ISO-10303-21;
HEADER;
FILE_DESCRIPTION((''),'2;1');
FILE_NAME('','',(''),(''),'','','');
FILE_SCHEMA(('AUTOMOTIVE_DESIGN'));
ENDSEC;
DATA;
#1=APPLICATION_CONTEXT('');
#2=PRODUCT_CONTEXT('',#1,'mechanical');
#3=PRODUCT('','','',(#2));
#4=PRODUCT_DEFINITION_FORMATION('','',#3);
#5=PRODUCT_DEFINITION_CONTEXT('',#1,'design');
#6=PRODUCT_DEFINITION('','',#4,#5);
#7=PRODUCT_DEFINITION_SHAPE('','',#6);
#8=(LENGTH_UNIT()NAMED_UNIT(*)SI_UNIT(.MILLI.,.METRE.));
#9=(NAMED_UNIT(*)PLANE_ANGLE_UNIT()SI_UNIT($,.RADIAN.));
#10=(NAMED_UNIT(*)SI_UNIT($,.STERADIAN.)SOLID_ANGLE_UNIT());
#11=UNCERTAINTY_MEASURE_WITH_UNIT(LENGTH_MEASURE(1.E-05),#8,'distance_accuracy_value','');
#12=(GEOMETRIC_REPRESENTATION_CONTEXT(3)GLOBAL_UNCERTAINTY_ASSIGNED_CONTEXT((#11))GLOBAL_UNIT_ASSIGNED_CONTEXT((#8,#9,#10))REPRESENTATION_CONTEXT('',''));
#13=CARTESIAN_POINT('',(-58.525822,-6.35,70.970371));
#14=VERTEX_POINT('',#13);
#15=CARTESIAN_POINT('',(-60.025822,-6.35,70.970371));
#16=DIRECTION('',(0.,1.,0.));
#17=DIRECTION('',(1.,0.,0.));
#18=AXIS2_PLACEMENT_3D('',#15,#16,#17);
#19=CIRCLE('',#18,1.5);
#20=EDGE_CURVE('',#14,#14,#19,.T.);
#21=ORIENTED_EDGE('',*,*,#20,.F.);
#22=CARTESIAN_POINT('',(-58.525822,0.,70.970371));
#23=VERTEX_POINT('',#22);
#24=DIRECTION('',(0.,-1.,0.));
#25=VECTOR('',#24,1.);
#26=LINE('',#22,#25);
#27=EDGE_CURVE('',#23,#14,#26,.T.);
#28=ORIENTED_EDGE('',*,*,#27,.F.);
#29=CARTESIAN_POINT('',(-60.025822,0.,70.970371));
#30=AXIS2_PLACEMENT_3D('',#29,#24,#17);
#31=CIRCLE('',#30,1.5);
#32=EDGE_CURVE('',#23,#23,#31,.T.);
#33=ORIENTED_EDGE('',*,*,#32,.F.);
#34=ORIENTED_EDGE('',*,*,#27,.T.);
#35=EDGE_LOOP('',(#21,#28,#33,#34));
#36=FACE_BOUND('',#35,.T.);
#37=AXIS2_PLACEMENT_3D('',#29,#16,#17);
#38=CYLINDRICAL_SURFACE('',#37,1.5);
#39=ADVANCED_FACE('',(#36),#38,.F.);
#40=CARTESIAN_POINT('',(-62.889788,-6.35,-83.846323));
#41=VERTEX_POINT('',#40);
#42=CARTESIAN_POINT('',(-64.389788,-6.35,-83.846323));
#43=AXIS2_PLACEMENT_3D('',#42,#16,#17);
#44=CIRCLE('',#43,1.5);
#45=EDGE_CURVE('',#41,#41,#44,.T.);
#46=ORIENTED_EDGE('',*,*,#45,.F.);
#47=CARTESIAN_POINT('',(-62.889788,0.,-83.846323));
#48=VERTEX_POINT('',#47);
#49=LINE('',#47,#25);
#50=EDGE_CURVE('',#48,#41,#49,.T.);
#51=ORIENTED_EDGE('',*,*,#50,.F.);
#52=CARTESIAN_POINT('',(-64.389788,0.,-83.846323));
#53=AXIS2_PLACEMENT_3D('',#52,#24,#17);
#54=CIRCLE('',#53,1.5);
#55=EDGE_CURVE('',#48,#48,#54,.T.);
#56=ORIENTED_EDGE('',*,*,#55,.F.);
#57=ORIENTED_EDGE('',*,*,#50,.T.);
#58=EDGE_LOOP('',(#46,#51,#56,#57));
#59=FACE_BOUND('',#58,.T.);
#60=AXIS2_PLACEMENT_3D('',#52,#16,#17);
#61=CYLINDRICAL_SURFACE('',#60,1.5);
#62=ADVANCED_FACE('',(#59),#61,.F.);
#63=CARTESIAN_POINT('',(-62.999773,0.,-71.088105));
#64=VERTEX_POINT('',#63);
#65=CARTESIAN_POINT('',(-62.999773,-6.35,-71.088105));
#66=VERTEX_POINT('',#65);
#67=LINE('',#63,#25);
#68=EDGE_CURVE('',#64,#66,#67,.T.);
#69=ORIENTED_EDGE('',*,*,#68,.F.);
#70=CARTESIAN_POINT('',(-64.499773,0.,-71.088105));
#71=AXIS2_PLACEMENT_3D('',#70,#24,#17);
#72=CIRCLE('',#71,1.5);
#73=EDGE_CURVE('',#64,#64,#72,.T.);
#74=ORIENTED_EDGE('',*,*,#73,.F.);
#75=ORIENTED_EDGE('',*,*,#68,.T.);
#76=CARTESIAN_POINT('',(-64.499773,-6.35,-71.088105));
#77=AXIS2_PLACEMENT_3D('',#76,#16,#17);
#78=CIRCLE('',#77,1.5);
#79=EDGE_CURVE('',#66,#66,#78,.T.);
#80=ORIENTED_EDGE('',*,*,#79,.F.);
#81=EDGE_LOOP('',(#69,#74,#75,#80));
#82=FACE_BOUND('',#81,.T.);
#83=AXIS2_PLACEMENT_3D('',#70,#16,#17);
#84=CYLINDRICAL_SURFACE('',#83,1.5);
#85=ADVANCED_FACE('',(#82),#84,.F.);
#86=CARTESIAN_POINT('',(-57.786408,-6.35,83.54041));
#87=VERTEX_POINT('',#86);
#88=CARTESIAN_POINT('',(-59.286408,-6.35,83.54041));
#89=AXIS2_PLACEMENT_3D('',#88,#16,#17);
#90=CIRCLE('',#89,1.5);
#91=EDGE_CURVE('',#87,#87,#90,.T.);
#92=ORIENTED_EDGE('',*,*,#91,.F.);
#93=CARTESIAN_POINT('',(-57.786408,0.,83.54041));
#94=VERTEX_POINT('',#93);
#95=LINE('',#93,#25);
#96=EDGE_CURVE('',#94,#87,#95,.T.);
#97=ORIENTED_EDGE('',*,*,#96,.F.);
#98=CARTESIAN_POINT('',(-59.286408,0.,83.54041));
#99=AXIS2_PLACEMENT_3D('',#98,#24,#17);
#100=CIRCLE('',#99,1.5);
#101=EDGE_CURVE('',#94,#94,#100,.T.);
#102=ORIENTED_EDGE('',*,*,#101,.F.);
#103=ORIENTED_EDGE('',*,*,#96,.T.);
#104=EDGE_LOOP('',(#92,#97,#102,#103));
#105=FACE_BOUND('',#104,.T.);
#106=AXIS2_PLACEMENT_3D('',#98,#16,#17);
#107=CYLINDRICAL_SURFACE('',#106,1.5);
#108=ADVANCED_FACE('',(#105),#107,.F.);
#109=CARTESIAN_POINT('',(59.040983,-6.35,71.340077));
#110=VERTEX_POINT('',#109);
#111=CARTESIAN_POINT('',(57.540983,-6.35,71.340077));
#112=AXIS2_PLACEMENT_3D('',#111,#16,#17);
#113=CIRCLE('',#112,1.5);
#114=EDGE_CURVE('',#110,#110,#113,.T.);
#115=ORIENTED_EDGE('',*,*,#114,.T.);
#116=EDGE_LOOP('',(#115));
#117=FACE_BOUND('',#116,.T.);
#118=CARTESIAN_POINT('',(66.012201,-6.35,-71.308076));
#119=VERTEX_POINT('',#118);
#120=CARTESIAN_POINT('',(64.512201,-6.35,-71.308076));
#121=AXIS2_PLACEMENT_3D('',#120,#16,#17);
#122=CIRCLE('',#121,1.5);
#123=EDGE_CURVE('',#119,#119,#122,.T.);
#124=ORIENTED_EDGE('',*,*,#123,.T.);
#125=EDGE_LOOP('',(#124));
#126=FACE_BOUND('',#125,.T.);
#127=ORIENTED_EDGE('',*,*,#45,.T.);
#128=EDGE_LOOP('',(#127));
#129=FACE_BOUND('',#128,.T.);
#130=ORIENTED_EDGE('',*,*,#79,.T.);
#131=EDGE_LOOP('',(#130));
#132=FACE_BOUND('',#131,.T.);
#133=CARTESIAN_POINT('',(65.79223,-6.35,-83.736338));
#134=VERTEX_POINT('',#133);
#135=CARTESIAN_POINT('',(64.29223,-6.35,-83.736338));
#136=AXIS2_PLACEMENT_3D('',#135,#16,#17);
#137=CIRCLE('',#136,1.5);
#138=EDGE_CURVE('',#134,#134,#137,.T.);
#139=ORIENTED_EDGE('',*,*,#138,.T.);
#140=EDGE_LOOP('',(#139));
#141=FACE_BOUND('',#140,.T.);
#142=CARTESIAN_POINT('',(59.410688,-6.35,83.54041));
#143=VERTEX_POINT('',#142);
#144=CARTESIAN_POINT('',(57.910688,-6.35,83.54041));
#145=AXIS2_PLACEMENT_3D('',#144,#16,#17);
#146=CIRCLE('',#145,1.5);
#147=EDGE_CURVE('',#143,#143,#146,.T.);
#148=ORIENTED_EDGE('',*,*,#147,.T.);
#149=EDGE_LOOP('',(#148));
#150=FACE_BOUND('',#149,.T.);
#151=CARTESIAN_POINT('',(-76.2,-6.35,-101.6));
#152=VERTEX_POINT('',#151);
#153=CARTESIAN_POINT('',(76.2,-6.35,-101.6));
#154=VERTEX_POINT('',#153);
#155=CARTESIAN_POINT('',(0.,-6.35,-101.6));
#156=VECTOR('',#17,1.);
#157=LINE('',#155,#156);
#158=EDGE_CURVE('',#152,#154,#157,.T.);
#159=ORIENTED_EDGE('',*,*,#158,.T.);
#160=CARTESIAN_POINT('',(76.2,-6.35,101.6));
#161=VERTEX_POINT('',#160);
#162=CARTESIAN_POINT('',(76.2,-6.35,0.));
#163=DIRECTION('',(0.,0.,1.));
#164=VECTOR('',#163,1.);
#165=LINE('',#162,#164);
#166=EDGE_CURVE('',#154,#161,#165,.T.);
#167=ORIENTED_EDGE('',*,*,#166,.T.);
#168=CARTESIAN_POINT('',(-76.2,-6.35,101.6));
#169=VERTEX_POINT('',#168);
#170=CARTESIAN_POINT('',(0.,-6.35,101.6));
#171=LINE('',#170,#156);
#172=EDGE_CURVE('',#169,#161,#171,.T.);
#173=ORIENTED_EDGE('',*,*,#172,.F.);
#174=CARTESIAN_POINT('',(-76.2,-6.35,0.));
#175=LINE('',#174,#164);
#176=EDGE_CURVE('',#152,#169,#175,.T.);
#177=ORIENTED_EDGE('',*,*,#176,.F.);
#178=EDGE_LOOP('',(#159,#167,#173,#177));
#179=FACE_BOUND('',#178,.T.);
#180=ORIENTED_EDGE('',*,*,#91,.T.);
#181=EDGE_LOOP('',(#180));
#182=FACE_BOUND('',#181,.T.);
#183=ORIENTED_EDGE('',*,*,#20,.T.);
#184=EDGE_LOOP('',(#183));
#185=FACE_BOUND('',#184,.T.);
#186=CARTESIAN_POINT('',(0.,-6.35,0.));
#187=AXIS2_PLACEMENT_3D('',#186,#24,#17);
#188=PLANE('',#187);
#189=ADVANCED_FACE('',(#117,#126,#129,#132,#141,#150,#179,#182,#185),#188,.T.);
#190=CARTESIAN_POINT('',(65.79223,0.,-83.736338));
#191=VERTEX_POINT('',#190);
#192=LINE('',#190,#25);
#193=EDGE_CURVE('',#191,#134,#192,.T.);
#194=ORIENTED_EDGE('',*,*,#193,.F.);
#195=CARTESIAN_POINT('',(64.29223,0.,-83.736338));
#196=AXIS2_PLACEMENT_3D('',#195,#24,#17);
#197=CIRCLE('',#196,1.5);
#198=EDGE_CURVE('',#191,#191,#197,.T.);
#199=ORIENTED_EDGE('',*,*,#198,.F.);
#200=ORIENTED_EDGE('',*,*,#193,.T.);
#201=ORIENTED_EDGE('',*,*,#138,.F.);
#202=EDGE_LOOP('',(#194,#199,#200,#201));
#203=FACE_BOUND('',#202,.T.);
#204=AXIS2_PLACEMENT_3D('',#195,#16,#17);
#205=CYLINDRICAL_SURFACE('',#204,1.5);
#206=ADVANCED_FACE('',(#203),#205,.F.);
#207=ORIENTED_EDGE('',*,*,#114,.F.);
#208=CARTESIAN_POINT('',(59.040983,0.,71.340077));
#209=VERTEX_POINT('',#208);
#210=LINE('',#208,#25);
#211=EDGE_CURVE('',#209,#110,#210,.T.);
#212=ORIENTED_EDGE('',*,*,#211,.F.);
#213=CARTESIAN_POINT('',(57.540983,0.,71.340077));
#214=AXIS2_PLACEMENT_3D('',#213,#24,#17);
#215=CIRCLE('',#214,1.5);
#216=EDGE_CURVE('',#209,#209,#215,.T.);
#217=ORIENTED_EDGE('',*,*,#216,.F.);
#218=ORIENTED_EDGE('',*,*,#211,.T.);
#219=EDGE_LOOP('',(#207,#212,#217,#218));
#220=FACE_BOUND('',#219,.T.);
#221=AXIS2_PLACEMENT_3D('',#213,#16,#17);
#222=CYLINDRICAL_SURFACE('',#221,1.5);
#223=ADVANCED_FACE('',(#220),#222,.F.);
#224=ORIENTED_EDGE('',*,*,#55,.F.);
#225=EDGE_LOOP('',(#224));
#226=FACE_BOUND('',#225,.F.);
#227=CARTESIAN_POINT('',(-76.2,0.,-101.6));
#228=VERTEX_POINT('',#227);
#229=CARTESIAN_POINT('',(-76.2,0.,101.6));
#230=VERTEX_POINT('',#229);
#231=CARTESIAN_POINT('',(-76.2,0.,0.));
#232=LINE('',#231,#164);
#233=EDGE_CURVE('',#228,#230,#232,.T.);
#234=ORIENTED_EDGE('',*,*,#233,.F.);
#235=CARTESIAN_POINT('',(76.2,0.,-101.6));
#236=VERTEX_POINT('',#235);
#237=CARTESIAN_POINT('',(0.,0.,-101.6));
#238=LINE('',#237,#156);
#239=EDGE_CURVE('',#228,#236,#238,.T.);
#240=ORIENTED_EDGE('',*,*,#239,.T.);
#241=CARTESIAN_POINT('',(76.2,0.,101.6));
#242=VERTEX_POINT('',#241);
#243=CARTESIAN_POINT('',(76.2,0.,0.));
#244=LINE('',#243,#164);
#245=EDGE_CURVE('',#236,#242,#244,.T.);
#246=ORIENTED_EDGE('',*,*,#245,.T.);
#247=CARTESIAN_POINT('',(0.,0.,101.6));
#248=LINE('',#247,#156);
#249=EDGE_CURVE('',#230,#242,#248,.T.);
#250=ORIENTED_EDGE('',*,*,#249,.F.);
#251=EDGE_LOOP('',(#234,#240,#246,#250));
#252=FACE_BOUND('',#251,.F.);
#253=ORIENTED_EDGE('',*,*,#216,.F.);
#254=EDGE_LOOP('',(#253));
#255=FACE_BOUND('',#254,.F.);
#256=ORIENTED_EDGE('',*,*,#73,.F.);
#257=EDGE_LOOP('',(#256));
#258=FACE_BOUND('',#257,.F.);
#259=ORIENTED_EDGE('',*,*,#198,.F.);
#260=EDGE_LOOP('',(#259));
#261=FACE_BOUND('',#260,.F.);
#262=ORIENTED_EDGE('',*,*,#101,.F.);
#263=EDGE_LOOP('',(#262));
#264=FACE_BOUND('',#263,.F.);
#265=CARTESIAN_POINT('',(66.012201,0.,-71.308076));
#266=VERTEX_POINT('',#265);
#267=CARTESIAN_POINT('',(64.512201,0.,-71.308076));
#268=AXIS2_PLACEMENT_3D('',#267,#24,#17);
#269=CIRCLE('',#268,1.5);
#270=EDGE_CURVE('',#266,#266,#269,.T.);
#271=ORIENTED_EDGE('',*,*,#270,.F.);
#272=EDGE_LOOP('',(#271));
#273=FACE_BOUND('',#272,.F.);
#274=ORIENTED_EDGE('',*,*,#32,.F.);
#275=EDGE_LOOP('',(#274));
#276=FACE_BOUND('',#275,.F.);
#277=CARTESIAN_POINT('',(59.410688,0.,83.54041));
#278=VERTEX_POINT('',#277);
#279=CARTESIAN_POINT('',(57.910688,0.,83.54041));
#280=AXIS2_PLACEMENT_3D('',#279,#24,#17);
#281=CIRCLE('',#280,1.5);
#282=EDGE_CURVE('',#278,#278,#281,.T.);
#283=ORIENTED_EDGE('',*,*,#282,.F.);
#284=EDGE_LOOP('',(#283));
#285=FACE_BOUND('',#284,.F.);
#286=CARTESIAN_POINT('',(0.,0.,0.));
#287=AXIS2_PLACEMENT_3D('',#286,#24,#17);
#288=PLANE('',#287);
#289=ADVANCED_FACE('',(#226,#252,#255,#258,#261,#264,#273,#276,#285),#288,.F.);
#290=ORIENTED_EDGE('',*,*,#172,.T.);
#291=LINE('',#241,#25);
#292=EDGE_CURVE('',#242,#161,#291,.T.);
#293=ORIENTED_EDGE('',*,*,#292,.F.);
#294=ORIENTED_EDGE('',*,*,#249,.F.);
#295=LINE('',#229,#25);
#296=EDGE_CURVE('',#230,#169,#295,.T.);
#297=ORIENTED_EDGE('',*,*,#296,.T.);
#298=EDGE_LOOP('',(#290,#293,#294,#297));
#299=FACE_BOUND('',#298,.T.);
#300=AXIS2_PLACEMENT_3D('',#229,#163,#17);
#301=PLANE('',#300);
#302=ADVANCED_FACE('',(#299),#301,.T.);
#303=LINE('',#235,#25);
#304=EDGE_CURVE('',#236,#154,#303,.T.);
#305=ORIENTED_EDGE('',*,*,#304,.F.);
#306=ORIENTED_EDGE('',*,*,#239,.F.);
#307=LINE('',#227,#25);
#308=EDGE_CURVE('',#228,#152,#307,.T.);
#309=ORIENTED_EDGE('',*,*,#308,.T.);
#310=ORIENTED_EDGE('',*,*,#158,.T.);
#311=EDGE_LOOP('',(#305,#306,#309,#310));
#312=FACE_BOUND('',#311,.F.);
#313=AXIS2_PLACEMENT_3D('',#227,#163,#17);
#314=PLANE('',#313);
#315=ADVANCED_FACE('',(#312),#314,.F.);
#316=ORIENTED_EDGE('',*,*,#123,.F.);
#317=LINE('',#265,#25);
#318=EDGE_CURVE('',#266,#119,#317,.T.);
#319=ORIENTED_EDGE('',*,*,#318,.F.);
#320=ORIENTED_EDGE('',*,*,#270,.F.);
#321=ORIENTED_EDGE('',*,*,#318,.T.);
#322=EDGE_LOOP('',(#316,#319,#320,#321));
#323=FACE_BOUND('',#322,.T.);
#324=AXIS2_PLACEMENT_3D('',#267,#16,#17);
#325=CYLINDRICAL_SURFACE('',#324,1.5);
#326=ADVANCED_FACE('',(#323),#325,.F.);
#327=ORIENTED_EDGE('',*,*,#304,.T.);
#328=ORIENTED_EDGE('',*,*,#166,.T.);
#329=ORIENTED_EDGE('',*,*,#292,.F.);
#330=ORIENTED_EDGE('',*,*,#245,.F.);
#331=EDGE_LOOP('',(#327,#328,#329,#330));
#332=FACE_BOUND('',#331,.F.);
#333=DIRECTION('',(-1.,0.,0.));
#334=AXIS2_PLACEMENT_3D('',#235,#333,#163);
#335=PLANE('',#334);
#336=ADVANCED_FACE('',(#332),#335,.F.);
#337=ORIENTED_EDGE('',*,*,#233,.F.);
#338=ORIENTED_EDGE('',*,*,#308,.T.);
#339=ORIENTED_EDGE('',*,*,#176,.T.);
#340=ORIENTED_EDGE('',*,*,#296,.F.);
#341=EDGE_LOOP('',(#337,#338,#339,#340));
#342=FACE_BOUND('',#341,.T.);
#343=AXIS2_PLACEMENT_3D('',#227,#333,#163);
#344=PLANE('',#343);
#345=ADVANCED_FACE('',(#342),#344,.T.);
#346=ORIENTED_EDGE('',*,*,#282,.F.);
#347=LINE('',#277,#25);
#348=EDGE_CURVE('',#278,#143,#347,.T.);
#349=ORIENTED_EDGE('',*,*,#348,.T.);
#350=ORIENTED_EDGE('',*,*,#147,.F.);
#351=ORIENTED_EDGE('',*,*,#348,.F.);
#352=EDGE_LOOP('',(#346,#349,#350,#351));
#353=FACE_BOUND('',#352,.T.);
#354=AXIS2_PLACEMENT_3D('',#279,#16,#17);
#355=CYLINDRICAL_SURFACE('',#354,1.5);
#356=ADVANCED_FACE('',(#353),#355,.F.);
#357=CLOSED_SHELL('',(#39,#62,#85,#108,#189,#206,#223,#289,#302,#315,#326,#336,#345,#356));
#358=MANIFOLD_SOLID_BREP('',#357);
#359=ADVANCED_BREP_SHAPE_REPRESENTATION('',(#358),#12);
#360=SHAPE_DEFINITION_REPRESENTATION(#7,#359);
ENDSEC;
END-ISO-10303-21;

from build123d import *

# Parameters (mm, degrees)
F0_W     = 152.4
F0_H     = 203.2
F1_DEPTH = 6.35
F2_R     = 1.5
F3_DEPTH = 25.4
F4_DEPTH = 25.4
F5_DEPTH = 73.66
F6_DEPTH = 25.4
F7_R     = 1.5
F8_DEPTH = 25.4


with BuildPart() as f1:
    # F0 (on Front) → F1 (new body)
    with BuildSketch(Plane.XZ):
        Rectangle(F0_W, F0_H)
    extrude(amount=F1_DEPTH)

    # F2 (on Front) → F3 (cut)
    with BuildSketch(Plane.XZ):
        with Locations((-59.286408, 83.54041)):
            Circle(F2_R)
        with Locations((-60.025822, 70.970371)):
            Circle(F2_R)
        with Locations((57.910688, 83.54041)):
            Circle(F2_R)
        with Locations((57.540983, 71.340077)):
            Circle(F2_R)
    extrude(amount=-F3_DEPTH, mode=Mode.SUBTRACT)

    # F2 (on Front) → F4 (cut)
    with BuildSketch(Plane.XZ):
        with Locations((-59.286408, 83.54041)):
            Circle(F2_R)
        with Locations((-60.025822, 70.970371)):
            Circle(F2_R)
        with Locations((57.910688, 83.54041)):
            Circle(F2_R)
        with Locations((57.540983, 71.340077)):
            Circle(F2_R)
    extrude(amount=-F4_DEPTH, mode=Mode.SUBTRACT)

    # F2 (on Front) → F5 (cut)
    with BuildSketch(Plane.XZ):
        with Locations((-59.286408, 83.54041)):
            Circle(F2_R)
        with Locations((-60.025822, 70.970371)):
            Circle(F2_R)
        with Locations((57.910688, 83.54041)):
            Circle(F2_R)
        with Locations((57.540983, 71.340077)):
            Circle(F2_R)
    extrude(amount=-F5_DEPTH, mode=Mode.SUBTRACT)

    # F2 (on Front) → F6 (cut)
    with BuildSketch(Plane.XZ):
        with Locations((-59.286408, 83.54041)):
            Circle(F2_R)
        with Locations((-60.025822, 70.970371)):
            Circle(F2_R)
        with Locations((57.910688, 83.54041)):
            Circle(F2_R)
        with Locations((57.540983, 71.340077)):
            Circle(F2_R)
    extrude(amount=F6_DEPTH, mode=Mode.SUBTRACT)

    # F7 (on Front) → F8 (cut)
    with BuildSketch(Plane.XZ):
        with Locations((64.29223, -83.736338)):
            Circle(F7_R)
        with Locations((64.512201, -71.308076)):
            Circle(F7_R)
        with Locations((-64.389788, -83.846323)):
            Circle(F7_R)
        with Locations((-64.499773, -71.088105)):
            Circle(F7_R)
    extrude(amount=F8_DEPTH, mode=Mode.SUBTRACT)


solid = f1.part
